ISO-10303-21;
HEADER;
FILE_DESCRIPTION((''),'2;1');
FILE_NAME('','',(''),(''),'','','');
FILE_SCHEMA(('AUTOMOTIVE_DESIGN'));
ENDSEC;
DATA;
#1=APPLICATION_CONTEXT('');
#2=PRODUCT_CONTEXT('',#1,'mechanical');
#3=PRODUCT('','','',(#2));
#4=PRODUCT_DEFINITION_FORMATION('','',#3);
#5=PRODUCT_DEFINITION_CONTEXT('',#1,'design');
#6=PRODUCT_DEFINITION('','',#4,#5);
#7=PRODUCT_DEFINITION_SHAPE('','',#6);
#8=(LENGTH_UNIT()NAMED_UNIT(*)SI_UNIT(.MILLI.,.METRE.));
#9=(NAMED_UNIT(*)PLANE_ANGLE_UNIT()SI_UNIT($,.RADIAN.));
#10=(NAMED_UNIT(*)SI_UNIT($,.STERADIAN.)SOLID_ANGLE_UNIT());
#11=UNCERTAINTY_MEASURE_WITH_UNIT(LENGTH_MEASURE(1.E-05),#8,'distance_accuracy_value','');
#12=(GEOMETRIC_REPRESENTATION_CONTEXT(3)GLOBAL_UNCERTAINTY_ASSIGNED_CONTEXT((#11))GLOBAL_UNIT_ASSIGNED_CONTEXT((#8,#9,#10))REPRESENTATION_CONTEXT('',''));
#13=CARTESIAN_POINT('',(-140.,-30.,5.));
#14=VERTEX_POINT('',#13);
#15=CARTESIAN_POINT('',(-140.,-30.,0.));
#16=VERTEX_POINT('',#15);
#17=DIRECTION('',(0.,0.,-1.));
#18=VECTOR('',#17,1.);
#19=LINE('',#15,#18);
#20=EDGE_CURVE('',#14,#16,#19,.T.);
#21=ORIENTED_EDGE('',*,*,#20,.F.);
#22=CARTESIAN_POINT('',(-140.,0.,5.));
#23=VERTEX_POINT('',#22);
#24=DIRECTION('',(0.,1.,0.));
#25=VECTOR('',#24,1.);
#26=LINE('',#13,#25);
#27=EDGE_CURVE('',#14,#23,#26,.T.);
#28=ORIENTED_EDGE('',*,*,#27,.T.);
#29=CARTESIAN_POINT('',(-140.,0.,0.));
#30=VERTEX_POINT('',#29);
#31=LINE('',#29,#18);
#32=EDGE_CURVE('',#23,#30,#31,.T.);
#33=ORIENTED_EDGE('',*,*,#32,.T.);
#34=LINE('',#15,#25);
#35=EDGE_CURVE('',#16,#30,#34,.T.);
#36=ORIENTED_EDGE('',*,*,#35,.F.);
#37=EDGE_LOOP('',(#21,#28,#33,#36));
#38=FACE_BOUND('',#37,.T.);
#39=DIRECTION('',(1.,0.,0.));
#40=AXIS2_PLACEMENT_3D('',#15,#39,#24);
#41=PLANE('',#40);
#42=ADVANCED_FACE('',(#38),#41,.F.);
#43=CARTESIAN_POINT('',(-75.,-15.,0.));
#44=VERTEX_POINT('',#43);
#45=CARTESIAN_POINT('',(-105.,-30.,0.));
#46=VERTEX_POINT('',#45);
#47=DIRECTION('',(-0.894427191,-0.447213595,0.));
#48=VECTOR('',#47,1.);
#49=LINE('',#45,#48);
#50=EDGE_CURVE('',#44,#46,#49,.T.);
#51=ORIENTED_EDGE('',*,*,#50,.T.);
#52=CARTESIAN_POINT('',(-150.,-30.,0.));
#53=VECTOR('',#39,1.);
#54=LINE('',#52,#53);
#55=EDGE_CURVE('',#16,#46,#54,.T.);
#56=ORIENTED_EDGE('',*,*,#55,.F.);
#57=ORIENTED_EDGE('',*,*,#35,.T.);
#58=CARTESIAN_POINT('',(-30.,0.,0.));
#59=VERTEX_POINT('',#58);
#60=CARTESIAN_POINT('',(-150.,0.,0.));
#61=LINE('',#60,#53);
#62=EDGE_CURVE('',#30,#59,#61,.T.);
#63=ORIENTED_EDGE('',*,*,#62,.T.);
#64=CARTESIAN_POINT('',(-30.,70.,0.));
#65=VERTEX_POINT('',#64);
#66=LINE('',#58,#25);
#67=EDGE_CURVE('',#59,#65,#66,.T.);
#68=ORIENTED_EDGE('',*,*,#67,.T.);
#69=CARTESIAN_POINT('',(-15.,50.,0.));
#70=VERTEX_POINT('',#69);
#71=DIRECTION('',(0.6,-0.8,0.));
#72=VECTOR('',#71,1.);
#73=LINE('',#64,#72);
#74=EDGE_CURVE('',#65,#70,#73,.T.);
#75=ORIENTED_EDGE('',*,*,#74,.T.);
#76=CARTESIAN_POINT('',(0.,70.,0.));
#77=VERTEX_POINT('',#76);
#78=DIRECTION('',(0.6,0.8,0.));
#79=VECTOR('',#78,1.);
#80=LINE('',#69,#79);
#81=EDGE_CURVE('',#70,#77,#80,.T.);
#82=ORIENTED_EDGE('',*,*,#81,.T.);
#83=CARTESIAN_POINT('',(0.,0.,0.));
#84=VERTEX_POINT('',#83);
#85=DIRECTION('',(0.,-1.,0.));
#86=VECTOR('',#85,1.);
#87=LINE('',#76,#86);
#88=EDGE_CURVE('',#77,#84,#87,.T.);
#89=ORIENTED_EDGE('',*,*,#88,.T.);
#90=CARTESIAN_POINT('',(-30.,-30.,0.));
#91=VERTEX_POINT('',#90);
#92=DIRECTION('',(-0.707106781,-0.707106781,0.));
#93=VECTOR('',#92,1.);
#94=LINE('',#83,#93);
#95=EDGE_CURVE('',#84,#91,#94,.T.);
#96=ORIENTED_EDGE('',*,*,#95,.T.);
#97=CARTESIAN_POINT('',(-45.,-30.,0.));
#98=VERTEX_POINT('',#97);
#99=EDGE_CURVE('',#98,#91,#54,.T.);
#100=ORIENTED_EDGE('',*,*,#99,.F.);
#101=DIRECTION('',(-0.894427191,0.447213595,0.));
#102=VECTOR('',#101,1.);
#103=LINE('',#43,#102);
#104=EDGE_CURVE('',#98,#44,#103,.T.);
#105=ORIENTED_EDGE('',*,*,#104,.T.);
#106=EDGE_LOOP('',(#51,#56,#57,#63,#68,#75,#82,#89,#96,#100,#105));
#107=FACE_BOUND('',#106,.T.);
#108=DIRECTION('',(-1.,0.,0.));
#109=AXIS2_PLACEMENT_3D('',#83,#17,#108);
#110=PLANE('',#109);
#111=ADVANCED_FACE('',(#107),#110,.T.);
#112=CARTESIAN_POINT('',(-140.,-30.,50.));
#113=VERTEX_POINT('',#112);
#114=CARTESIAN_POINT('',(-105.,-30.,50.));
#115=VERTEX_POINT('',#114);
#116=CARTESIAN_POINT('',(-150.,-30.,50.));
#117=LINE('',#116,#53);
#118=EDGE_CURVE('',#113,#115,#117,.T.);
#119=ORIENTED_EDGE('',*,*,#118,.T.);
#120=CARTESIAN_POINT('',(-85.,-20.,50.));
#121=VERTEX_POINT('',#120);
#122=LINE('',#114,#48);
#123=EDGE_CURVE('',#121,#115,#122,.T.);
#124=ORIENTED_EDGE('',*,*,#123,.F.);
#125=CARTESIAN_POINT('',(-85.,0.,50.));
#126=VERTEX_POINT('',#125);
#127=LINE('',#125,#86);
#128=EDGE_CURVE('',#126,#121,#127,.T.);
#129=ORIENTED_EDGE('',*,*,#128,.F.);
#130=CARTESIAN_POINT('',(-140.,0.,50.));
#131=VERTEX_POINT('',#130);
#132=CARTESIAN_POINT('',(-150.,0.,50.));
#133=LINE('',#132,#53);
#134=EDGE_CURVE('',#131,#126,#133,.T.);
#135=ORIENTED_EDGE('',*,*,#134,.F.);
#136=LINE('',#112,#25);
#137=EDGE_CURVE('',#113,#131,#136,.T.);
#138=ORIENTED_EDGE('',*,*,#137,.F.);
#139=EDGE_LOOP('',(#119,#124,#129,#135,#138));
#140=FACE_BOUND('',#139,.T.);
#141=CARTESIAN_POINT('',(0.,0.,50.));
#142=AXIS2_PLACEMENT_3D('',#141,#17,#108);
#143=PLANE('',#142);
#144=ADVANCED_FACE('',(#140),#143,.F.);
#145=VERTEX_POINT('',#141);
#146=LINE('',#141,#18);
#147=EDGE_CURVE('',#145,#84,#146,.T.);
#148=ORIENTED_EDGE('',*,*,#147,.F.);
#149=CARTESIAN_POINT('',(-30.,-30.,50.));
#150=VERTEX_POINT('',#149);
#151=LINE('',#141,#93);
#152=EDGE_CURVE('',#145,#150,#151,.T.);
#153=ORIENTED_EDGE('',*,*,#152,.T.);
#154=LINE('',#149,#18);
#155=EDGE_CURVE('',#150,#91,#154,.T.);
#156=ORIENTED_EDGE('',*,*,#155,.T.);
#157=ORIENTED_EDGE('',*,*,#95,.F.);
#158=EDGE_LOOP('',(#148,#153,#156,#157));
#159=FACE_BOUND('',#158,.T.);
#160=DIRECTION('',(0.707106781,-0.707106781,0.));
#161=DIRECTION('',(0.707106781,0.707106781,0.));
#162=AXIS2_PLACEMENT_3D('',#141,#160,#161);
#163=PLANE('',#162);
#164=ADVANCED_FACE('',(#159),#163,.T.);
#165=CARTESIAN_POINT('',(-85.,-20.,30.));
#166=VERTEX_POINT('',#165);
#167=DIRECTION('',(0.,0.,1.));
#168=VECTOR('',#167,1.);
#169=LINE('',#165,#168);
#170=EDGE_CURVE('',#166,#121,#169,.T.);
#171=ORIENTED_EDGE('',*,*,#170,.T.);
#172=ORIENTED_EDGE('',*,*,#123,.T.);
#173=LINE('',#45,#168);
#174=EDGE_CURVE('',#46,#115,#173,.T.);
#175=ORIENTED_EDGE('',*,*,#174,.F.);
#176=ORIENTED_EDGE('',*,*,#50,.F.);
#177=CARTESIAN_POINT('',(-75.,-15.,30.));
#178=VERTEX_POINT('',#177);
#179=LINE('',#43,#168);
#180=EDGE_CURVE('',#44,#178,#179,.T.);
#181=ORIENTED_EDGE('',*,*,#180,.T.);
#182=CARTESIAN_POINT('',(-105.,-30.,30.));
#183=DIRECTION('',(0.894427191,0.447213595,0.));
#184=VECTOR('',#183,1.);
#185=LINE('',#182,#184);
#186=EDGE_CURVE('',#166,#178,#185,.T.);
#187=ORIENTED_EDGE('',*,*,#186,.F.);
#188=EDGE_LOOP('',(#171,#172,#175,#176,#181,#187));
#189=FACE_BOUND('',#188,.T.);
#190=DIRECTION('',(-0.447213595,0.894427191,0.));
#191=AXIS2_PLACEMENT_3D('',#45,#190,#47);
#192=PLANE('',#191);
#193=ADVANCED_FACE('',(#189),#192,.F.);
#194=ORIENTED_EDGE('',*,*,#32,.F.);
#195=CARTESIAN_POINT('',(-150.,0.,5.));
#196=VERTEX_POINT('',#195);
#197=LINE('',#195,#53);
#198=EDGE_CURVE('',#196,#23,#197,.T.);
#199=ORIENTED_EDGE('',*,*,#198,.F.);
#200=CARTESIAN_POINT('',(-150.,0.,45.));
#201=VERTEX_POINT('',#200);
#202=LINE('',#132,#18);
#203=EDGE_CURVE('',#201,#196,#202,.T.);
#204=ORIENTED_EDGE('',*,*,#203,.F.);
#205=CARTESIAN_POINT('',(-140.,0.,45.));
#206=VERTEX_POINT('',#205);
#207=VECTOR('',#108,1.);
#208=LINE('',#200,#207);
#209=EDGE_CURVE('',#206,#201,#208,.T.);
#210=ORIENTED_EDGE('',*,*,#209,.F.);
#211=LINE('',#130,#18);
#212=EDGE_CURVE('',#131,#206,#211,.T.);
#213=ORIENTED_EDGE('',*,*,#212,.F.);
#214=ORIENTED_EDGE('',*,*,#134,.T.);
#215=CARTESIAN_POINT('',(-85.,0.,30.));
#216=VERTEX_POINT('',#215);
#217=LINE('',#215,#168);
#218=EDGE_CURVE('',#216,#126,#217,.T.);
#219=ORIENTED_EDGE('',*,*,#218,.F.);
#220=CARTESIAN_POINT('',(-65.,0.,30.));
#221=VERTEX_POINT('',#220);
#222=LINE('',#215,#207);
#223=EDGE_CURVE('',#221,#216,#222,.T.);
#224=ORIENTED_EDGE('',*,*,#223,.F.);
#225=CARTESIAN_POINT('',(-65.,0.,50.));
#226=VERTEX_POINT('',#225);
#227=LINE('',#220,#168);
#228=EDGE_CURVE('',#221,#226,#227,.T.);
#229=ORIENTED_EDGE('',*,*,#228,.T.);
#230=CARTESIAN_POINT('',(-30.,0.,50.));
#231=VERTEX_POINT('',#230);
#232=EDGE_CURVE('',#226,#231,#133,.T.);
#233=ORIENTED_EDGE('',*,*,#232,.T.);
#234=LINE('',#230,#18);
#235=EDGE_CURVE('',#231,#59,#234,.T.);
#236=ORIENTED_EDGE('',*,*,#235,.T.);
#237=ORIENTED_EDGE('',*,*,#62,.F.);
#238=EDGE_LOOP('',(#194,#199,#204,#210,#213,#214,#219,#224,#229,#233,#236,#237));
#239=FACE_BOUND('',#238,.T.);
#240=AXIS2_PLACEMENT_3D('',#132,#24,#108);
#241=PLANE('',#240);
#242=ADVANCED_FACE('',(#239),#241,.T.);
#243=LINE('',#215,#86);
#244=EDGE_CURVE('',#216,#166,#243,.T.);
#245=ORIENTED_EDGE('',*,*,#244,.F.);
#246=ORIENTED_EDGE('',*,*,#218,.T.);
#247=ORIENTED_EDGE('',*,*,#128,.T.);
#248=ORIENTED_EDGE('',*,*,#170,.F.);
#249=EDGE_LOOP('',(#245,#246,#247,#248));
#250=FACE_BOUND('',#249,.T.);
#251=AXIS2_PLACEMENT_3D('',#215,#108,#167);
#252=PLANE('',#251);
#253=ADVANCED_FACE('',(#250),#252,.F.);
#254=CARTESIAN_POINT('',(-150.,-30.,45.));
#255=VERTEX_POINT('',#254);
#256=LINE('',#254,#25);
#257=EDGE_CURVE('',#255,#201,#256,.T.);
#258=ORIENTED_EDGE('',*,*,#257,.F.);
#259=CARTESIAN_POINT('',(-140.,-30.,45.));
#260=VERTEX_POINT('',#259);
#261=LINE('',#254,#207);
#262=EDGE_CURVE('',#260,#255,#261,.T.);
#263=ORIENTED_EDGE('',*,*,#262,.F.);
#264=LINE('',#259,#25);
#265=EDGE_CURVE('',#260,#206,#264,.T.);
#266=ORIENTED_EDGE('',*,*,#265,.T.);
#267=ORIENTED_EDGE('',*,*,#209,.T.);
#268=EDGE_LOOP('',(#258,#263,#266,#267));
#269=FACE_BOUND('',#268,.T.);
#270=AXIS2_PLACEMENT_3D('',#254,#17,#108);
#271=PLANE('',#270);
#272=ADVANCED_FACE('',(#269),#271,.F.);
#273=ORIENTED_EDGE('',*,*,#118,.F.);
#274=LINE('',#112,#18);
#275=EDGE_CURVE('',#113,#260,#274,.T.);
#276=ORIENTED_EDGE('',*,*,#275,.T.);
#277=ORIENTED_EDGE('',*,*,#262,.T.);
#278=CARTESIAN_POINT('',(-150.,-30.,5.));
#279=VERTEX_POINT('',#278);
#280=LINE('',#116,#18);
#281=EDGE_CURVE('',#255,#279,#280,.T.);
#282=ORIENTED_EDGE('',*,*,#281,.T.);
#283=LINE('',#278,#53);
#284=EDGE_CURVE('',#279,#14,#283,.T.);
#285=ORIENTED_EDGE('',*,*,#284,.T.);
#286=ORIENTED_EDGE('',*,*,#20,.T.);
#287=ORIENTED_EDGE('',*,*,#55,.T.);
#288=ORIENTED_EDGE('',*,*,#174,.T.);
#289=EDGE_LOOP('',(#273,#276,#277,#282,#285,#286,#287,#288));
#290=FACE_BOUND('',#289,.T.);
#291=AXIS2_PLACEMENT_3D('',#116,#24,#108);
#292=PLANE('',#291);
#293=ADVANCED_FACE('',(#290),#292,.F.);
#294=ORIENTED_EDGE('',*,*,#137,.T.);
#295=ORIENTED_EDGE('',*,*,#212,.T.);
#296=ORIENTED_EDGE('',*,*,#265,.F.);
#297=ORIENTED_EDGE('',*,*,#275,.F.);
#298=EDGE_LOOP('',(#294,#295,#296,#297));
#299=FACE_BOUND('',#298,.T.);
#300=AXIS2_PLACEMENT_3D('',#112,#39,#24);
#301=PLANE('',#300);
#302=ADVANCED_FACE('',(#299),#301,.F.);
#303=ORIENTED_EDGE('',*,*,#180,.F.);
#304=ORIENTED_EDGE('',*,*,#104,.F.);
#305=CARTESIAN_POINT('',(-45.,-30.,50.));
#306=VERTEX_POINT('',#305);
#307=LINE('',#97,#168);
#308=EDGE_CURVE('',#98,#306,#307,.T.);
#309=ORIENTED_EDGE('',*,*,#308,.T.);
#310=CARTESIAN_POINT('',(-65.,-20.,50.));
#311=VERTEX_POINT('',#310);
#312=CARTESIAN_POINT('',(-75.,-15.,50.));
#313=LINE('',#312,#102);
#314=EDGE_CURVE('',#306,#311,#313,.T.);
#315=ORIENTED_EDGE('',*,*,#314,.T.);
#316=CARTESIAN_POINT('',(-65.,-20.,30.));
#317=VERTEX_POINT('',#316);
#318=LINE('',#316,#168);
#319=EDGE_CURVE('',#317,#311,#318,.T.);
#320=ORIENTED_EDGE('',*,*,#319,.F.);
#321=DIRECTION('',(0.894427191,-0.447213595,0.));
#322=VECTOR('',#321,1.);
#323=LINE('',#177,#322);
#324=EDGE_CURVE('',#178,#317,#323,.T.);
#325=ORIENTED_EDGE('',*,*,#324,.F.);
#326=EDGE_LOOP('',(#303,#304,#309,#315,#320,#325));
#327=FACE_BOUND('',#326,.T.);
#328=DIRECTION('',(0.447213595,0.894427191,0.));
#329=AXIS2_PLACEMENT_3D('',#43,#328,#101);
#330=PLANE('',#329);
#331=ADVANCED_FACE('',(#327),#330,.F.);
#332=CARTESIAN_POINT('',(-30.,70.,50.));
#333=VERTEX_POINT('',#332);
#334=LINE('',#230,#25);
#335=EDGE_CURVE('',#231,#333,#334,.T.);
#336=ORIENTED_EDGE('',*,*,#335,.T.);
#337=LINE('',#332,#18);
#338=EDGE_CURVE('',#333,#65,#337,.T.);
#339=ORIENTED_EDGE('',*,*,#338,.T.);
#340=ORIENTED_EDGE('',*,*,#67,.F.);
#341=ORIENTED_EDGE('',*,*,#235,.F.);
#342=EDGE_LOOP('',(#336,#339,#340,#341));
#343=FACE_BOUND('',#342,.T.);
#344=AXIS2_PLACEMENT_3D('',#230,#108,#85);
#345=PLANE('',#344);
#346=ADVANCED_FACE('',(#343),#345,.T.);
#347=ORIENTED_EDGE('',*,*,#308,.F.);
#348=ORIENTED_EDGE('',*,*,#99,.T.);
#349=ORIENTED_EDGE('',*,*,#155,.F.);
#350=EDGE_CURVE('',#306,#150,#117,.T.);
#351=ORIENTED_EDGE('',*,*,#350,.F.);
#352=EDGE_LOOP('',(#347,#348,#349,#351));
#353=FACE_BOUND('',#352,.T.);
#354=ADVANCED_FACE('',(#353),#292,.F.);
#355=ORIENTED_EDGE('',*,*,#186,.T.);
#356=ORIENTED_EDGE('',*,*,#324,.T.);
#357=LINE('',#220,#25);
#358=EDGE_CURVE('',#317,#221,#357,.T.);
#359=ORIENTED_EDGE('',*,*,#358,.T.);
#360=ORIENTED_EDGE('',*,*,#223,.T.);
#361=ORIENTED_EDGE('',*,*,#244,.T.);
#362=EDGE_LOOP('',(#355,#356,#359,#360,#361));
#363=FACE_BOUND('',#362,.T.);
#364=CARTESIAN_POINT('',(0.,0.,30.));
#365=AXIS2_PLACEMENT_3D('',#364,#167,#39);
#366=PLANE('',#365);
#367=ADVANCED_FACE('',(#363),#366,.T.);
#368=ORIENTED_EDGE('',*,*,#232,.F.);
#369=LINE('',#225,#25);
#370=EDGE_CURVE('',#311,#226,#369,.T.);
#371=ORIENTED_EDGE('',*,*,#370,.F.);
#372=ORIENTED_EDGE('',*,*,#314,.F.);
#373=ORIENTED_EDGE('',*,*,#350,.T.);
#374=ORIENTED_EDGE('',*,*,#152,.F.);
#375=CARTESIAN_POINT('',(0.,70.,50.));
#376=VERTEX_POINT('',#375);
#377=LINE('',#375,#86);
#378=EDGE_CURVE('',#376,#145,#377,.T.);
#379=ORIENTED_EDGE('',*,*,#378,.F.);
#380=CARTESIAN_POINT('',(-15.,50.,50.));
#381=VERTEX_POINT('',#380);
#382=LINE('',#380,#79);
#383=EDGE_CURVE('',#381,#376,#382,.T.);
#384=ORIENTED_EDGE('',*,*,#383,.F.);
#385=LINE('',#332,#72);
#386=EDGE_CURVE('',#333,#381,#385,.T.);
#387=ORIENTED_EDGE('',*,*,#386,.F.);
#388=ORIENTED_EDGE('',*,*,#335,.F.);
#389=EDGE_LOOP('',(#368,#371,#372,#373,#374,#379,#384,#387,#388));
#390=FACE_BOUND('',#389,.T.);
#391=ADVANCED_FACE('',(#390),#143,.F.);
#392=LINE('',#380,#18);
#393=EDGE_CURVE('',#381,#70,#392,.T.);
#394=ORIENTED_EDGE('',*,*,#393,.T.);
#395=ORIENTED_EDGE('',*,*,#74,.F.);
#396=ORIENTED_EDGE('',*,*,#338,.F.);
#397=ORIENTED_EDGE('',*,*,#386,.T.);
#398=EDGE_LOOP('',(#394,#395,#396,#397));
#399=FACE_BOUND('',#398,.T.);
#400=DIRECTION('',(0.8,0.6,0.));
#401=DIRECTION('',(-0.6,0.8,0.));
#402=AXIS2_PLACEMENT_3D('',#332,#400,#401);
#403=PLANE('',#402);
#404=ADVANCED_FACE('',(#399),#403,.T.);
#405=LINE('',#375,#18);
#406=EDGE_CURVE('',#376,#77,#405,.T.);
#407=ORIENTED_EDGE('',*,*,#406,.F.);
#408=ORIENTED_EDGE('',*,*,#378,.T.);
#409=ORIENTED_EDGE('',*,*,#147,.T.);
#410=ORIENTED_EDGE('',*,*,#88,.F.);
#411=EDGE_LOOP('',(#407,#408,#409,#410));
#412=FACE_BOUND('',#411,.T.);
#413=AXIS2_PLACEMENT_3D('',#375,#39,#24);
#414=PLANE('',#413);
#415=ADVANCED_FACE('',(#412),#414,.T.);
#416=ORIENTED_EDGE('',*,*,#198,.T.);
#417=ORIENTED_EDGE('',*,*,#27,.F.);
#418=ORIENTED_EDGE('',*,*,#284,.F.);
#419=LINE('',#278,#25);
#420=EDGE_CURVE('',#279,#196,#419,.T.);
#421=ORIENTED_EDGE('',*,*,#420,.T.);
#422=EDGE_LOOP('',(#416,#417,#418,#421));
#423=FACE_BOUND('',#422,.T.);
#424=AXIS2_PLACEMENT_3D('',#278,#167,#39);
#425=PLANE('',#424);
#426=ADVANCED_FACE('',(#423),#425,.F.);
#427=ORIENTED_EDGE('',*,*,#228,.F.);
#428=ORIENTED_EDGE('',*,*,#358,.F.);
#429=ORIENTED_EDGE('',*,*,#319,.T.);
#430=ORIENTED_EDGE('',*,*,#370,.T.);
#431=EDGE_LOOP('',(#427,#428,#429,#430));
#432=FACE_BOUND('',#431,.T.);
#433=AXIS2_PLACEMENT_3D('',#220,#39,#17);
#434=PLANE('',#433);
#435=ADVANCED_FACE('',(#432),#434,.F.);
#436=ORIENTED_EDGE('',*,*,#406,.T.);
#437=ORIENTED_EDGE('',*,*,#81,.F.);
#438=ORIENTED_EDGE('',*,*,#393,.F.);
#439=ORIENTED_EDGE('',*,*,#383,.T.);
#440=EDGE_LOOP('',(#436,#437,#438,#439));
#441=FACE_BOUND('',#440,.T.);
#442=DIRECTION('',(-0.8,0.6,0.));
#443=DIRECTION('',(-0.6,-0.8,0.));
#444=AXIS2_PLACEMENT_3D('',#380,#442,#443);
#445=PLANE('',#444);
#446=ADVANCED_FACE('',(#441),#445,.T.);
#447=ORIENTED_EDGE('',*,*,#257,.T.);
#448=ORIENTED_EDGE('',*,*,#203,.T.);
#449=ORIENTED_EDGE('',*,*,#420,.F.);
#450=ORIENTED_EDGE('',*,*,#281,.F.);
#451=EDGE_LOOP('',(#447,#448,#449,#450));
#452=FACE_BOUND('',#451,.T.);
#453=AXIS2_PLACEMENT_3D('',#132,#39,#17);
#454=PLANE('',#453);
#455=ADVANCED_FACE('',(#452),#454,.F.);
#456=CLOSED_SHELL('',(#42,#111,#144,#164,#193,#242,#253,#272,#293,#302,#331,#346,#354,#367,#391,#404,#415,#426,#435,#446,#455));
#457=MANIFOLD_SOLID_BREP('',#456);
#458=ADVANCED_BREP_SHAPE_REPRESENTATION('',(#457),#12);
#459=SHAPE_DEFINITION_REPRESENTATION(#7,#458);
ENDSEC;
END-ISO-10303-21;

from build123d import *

# Parameters (mm, degrees)
EXTRUDE_1_DEPTH     = 50
CUT_EXTRUDE_1_DEPTH = 173.916164658
SKETCH_3_W          = 20
SKETCH_3_H          = 20
CUT_EXTRUDE_2_DEPTH = 20
SKETCH_5_W          = 10
SKETCH_5_H          = 5
CUT_EXTRUDE_3_DEPTH = 173.916164658


with BuildPart() as part:
    # Эскиз1 → Бобышка-Вытянуть1 (new body)
    with BuildSketch(Plane.XY):
        Polygon((-150, 0), (-30, 0), (-30, 70), (-15, 50), (0, 70), (0, 0), (-30, -30), (-150, -30), align=None)
    extrude(amount=EXTRUDE_1_DEPTH)

    # Эскиз2 → Вырез-Вытянуть1 (cut, through all)
    with BuildSketch(Plane.XY.offset(50)):
        Polygon((-105, -30), (-75, -15), (-45, -30), align=None)
    extrude(amount=-CUT_EXTRUDE_1_DEPTH, mode=Mode.SUBTRACT)

    # Эскиз3 → Вырез-Вытянуть2 (cut)
    with BuildSketch(Plane.XY.offset(50)):
        with Locations((-75, -10)):
            Rectangle(SKETCH_3_W, SKETCH_3_H)
    extrude(amount=-CUT_EXTRUDE_2_DEPTH, mode=Mode.SUBTRACT)

    # Эскиз5 → Вырез-Вытянуть3 (cut, through all)
    with BuildSketch(Plane(origin=(0, 0, 0), x_dir=(1, 0, 0), z_dir=(0, 1, 0))):
        with Locations((-145, -2.5)):
            Rectangle(SKETCH_5_W, SKETCH_5_H)
        with Locations((-145, -47.5)):
            Rectangle(SKETCH_5_W, SKETCH_5_H)
    extrude(amount=-CUT_EXTRUDE_3_DEPTH, mode=Mode.SUBTRACT)


solid = part.part
